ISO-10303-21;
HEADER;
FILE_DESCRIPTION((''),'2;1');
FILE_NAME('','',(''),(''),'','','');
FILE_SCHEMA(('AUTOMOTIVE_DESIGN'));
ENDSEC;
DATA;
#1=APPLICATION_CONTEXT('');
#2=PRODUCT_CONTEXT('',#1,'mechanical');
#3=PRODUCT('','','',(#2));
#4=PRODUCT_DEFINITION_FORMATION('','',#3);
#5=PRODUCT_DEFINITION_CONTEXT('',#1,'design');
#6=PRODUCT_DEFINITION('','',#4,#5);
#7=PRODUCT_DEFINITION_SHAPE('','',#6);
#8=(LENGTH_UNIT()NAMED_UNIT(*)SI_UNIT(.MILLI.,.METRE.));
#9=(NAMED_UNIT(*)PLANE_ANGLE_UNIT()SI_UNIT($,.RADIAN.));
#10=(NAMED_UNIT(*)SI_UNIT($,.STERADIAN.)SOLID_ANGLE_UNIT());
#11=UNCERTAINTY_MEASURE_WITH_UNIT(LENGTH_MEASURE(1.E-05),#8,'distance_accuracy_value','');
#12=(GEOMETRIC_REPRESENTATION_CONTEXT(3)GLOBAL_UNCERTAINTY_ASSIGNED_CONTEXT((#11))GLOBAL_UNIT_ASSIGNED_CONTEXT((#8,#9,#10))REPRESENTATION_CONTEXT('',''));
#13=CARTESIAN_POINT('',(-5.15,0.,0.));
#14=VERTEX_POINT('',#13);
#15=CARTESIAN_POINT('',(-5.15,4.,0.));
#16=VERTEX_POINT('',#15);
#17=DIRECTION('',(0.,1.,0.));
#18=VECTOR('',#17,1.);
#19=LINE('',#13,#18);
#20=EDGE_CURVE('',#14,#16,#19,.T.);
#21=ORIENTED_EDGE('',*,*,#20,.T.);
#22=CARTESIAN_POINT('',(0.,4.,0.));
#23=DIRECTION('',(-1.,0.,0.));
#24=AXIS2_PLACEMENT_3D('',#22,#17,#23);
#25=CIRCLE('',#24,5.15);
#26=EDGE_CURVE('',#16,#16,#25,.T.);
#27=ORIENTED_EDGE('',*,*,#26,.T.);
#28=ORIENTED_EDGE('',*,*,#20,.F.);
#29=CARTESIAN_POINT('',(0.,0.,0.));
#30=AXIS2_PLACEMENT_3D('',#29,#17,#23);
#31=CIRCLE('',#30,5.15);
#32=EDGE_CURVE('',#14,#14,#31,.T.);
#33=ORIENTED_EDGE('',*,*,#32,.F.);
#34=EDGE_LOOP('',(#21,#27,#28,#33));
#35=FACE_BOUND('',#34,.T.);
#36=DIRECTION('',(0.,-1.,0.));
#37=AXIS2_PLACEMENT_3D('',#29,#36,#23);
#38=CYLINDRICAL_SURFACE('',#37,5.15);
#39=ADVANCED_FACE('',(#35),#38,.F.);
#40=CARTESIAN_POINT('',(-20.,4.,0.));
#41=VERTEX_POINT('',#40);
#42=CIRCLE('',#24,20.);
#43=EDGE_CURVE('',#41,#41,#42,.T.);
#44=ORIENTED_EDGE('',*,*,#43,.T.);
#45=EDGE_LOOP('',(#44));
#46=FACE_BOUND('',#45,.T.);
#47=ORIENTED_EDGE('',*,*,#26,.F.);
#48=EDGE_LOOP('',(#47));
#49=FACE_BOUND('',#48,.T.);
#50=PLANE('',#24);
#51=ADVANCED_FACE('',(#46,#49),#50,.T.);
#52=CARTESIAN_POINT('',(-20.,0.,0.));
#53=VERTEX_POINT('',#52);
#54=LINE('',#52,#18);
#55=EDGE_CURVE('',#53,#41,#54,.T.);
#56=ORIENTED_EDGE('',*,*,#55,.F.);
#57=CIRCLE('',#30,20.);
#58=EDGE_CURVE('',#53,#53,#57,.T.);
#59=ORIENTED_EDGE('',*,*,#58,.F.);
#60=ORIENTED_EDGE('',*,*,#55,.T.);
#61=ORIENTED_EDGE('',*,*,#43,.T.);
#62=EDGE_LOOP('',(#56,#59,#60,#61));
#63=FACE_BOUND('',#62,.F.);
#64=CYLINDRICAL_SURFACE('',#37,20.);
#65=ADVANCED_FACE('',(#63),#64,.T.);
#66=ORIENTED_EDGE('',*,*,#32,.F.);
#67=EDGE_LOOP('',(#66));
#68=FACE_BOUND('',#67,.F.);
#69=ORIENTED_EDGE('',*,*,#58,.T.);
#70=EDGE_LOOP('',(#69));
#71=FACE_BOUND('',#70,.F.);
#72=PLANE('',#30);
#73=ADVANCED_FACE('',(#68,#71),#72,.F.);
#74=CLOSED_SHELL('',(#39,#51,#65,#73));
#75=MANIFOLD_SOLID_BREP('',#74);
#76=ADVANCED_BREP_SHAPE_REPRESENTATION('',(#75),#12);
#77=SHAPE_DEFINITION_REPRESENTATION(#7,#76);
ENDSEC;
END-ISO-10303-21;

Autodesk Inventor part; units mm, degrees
ref_plane "YZ Plane" through (0, 0, 0) normal (1, 0, 0) x (0, 1, 0)
ref_plane "XZ Plane" through (0, 0, 0) normal (0, 1, 0) x (-1, 0, 0)
ref_plane "XY Plane" through (0, 0, 0) normal (0, 0, 1) x (1, 0, 0)
sketch "Sketch1" plane through (0, 0, 0) normal (0, 1, 0) x (-1, 0, 0)
  circle A0 centre (0, 0) radius 20
  circle A1 centre (0, 0) radius 5.15
  dimension "d0" = 40
  dimension "d1" = 10.3
extrude "Extrusion1" add sketch "Sketch1" along normal blind 4
properties part number "Ringen"
